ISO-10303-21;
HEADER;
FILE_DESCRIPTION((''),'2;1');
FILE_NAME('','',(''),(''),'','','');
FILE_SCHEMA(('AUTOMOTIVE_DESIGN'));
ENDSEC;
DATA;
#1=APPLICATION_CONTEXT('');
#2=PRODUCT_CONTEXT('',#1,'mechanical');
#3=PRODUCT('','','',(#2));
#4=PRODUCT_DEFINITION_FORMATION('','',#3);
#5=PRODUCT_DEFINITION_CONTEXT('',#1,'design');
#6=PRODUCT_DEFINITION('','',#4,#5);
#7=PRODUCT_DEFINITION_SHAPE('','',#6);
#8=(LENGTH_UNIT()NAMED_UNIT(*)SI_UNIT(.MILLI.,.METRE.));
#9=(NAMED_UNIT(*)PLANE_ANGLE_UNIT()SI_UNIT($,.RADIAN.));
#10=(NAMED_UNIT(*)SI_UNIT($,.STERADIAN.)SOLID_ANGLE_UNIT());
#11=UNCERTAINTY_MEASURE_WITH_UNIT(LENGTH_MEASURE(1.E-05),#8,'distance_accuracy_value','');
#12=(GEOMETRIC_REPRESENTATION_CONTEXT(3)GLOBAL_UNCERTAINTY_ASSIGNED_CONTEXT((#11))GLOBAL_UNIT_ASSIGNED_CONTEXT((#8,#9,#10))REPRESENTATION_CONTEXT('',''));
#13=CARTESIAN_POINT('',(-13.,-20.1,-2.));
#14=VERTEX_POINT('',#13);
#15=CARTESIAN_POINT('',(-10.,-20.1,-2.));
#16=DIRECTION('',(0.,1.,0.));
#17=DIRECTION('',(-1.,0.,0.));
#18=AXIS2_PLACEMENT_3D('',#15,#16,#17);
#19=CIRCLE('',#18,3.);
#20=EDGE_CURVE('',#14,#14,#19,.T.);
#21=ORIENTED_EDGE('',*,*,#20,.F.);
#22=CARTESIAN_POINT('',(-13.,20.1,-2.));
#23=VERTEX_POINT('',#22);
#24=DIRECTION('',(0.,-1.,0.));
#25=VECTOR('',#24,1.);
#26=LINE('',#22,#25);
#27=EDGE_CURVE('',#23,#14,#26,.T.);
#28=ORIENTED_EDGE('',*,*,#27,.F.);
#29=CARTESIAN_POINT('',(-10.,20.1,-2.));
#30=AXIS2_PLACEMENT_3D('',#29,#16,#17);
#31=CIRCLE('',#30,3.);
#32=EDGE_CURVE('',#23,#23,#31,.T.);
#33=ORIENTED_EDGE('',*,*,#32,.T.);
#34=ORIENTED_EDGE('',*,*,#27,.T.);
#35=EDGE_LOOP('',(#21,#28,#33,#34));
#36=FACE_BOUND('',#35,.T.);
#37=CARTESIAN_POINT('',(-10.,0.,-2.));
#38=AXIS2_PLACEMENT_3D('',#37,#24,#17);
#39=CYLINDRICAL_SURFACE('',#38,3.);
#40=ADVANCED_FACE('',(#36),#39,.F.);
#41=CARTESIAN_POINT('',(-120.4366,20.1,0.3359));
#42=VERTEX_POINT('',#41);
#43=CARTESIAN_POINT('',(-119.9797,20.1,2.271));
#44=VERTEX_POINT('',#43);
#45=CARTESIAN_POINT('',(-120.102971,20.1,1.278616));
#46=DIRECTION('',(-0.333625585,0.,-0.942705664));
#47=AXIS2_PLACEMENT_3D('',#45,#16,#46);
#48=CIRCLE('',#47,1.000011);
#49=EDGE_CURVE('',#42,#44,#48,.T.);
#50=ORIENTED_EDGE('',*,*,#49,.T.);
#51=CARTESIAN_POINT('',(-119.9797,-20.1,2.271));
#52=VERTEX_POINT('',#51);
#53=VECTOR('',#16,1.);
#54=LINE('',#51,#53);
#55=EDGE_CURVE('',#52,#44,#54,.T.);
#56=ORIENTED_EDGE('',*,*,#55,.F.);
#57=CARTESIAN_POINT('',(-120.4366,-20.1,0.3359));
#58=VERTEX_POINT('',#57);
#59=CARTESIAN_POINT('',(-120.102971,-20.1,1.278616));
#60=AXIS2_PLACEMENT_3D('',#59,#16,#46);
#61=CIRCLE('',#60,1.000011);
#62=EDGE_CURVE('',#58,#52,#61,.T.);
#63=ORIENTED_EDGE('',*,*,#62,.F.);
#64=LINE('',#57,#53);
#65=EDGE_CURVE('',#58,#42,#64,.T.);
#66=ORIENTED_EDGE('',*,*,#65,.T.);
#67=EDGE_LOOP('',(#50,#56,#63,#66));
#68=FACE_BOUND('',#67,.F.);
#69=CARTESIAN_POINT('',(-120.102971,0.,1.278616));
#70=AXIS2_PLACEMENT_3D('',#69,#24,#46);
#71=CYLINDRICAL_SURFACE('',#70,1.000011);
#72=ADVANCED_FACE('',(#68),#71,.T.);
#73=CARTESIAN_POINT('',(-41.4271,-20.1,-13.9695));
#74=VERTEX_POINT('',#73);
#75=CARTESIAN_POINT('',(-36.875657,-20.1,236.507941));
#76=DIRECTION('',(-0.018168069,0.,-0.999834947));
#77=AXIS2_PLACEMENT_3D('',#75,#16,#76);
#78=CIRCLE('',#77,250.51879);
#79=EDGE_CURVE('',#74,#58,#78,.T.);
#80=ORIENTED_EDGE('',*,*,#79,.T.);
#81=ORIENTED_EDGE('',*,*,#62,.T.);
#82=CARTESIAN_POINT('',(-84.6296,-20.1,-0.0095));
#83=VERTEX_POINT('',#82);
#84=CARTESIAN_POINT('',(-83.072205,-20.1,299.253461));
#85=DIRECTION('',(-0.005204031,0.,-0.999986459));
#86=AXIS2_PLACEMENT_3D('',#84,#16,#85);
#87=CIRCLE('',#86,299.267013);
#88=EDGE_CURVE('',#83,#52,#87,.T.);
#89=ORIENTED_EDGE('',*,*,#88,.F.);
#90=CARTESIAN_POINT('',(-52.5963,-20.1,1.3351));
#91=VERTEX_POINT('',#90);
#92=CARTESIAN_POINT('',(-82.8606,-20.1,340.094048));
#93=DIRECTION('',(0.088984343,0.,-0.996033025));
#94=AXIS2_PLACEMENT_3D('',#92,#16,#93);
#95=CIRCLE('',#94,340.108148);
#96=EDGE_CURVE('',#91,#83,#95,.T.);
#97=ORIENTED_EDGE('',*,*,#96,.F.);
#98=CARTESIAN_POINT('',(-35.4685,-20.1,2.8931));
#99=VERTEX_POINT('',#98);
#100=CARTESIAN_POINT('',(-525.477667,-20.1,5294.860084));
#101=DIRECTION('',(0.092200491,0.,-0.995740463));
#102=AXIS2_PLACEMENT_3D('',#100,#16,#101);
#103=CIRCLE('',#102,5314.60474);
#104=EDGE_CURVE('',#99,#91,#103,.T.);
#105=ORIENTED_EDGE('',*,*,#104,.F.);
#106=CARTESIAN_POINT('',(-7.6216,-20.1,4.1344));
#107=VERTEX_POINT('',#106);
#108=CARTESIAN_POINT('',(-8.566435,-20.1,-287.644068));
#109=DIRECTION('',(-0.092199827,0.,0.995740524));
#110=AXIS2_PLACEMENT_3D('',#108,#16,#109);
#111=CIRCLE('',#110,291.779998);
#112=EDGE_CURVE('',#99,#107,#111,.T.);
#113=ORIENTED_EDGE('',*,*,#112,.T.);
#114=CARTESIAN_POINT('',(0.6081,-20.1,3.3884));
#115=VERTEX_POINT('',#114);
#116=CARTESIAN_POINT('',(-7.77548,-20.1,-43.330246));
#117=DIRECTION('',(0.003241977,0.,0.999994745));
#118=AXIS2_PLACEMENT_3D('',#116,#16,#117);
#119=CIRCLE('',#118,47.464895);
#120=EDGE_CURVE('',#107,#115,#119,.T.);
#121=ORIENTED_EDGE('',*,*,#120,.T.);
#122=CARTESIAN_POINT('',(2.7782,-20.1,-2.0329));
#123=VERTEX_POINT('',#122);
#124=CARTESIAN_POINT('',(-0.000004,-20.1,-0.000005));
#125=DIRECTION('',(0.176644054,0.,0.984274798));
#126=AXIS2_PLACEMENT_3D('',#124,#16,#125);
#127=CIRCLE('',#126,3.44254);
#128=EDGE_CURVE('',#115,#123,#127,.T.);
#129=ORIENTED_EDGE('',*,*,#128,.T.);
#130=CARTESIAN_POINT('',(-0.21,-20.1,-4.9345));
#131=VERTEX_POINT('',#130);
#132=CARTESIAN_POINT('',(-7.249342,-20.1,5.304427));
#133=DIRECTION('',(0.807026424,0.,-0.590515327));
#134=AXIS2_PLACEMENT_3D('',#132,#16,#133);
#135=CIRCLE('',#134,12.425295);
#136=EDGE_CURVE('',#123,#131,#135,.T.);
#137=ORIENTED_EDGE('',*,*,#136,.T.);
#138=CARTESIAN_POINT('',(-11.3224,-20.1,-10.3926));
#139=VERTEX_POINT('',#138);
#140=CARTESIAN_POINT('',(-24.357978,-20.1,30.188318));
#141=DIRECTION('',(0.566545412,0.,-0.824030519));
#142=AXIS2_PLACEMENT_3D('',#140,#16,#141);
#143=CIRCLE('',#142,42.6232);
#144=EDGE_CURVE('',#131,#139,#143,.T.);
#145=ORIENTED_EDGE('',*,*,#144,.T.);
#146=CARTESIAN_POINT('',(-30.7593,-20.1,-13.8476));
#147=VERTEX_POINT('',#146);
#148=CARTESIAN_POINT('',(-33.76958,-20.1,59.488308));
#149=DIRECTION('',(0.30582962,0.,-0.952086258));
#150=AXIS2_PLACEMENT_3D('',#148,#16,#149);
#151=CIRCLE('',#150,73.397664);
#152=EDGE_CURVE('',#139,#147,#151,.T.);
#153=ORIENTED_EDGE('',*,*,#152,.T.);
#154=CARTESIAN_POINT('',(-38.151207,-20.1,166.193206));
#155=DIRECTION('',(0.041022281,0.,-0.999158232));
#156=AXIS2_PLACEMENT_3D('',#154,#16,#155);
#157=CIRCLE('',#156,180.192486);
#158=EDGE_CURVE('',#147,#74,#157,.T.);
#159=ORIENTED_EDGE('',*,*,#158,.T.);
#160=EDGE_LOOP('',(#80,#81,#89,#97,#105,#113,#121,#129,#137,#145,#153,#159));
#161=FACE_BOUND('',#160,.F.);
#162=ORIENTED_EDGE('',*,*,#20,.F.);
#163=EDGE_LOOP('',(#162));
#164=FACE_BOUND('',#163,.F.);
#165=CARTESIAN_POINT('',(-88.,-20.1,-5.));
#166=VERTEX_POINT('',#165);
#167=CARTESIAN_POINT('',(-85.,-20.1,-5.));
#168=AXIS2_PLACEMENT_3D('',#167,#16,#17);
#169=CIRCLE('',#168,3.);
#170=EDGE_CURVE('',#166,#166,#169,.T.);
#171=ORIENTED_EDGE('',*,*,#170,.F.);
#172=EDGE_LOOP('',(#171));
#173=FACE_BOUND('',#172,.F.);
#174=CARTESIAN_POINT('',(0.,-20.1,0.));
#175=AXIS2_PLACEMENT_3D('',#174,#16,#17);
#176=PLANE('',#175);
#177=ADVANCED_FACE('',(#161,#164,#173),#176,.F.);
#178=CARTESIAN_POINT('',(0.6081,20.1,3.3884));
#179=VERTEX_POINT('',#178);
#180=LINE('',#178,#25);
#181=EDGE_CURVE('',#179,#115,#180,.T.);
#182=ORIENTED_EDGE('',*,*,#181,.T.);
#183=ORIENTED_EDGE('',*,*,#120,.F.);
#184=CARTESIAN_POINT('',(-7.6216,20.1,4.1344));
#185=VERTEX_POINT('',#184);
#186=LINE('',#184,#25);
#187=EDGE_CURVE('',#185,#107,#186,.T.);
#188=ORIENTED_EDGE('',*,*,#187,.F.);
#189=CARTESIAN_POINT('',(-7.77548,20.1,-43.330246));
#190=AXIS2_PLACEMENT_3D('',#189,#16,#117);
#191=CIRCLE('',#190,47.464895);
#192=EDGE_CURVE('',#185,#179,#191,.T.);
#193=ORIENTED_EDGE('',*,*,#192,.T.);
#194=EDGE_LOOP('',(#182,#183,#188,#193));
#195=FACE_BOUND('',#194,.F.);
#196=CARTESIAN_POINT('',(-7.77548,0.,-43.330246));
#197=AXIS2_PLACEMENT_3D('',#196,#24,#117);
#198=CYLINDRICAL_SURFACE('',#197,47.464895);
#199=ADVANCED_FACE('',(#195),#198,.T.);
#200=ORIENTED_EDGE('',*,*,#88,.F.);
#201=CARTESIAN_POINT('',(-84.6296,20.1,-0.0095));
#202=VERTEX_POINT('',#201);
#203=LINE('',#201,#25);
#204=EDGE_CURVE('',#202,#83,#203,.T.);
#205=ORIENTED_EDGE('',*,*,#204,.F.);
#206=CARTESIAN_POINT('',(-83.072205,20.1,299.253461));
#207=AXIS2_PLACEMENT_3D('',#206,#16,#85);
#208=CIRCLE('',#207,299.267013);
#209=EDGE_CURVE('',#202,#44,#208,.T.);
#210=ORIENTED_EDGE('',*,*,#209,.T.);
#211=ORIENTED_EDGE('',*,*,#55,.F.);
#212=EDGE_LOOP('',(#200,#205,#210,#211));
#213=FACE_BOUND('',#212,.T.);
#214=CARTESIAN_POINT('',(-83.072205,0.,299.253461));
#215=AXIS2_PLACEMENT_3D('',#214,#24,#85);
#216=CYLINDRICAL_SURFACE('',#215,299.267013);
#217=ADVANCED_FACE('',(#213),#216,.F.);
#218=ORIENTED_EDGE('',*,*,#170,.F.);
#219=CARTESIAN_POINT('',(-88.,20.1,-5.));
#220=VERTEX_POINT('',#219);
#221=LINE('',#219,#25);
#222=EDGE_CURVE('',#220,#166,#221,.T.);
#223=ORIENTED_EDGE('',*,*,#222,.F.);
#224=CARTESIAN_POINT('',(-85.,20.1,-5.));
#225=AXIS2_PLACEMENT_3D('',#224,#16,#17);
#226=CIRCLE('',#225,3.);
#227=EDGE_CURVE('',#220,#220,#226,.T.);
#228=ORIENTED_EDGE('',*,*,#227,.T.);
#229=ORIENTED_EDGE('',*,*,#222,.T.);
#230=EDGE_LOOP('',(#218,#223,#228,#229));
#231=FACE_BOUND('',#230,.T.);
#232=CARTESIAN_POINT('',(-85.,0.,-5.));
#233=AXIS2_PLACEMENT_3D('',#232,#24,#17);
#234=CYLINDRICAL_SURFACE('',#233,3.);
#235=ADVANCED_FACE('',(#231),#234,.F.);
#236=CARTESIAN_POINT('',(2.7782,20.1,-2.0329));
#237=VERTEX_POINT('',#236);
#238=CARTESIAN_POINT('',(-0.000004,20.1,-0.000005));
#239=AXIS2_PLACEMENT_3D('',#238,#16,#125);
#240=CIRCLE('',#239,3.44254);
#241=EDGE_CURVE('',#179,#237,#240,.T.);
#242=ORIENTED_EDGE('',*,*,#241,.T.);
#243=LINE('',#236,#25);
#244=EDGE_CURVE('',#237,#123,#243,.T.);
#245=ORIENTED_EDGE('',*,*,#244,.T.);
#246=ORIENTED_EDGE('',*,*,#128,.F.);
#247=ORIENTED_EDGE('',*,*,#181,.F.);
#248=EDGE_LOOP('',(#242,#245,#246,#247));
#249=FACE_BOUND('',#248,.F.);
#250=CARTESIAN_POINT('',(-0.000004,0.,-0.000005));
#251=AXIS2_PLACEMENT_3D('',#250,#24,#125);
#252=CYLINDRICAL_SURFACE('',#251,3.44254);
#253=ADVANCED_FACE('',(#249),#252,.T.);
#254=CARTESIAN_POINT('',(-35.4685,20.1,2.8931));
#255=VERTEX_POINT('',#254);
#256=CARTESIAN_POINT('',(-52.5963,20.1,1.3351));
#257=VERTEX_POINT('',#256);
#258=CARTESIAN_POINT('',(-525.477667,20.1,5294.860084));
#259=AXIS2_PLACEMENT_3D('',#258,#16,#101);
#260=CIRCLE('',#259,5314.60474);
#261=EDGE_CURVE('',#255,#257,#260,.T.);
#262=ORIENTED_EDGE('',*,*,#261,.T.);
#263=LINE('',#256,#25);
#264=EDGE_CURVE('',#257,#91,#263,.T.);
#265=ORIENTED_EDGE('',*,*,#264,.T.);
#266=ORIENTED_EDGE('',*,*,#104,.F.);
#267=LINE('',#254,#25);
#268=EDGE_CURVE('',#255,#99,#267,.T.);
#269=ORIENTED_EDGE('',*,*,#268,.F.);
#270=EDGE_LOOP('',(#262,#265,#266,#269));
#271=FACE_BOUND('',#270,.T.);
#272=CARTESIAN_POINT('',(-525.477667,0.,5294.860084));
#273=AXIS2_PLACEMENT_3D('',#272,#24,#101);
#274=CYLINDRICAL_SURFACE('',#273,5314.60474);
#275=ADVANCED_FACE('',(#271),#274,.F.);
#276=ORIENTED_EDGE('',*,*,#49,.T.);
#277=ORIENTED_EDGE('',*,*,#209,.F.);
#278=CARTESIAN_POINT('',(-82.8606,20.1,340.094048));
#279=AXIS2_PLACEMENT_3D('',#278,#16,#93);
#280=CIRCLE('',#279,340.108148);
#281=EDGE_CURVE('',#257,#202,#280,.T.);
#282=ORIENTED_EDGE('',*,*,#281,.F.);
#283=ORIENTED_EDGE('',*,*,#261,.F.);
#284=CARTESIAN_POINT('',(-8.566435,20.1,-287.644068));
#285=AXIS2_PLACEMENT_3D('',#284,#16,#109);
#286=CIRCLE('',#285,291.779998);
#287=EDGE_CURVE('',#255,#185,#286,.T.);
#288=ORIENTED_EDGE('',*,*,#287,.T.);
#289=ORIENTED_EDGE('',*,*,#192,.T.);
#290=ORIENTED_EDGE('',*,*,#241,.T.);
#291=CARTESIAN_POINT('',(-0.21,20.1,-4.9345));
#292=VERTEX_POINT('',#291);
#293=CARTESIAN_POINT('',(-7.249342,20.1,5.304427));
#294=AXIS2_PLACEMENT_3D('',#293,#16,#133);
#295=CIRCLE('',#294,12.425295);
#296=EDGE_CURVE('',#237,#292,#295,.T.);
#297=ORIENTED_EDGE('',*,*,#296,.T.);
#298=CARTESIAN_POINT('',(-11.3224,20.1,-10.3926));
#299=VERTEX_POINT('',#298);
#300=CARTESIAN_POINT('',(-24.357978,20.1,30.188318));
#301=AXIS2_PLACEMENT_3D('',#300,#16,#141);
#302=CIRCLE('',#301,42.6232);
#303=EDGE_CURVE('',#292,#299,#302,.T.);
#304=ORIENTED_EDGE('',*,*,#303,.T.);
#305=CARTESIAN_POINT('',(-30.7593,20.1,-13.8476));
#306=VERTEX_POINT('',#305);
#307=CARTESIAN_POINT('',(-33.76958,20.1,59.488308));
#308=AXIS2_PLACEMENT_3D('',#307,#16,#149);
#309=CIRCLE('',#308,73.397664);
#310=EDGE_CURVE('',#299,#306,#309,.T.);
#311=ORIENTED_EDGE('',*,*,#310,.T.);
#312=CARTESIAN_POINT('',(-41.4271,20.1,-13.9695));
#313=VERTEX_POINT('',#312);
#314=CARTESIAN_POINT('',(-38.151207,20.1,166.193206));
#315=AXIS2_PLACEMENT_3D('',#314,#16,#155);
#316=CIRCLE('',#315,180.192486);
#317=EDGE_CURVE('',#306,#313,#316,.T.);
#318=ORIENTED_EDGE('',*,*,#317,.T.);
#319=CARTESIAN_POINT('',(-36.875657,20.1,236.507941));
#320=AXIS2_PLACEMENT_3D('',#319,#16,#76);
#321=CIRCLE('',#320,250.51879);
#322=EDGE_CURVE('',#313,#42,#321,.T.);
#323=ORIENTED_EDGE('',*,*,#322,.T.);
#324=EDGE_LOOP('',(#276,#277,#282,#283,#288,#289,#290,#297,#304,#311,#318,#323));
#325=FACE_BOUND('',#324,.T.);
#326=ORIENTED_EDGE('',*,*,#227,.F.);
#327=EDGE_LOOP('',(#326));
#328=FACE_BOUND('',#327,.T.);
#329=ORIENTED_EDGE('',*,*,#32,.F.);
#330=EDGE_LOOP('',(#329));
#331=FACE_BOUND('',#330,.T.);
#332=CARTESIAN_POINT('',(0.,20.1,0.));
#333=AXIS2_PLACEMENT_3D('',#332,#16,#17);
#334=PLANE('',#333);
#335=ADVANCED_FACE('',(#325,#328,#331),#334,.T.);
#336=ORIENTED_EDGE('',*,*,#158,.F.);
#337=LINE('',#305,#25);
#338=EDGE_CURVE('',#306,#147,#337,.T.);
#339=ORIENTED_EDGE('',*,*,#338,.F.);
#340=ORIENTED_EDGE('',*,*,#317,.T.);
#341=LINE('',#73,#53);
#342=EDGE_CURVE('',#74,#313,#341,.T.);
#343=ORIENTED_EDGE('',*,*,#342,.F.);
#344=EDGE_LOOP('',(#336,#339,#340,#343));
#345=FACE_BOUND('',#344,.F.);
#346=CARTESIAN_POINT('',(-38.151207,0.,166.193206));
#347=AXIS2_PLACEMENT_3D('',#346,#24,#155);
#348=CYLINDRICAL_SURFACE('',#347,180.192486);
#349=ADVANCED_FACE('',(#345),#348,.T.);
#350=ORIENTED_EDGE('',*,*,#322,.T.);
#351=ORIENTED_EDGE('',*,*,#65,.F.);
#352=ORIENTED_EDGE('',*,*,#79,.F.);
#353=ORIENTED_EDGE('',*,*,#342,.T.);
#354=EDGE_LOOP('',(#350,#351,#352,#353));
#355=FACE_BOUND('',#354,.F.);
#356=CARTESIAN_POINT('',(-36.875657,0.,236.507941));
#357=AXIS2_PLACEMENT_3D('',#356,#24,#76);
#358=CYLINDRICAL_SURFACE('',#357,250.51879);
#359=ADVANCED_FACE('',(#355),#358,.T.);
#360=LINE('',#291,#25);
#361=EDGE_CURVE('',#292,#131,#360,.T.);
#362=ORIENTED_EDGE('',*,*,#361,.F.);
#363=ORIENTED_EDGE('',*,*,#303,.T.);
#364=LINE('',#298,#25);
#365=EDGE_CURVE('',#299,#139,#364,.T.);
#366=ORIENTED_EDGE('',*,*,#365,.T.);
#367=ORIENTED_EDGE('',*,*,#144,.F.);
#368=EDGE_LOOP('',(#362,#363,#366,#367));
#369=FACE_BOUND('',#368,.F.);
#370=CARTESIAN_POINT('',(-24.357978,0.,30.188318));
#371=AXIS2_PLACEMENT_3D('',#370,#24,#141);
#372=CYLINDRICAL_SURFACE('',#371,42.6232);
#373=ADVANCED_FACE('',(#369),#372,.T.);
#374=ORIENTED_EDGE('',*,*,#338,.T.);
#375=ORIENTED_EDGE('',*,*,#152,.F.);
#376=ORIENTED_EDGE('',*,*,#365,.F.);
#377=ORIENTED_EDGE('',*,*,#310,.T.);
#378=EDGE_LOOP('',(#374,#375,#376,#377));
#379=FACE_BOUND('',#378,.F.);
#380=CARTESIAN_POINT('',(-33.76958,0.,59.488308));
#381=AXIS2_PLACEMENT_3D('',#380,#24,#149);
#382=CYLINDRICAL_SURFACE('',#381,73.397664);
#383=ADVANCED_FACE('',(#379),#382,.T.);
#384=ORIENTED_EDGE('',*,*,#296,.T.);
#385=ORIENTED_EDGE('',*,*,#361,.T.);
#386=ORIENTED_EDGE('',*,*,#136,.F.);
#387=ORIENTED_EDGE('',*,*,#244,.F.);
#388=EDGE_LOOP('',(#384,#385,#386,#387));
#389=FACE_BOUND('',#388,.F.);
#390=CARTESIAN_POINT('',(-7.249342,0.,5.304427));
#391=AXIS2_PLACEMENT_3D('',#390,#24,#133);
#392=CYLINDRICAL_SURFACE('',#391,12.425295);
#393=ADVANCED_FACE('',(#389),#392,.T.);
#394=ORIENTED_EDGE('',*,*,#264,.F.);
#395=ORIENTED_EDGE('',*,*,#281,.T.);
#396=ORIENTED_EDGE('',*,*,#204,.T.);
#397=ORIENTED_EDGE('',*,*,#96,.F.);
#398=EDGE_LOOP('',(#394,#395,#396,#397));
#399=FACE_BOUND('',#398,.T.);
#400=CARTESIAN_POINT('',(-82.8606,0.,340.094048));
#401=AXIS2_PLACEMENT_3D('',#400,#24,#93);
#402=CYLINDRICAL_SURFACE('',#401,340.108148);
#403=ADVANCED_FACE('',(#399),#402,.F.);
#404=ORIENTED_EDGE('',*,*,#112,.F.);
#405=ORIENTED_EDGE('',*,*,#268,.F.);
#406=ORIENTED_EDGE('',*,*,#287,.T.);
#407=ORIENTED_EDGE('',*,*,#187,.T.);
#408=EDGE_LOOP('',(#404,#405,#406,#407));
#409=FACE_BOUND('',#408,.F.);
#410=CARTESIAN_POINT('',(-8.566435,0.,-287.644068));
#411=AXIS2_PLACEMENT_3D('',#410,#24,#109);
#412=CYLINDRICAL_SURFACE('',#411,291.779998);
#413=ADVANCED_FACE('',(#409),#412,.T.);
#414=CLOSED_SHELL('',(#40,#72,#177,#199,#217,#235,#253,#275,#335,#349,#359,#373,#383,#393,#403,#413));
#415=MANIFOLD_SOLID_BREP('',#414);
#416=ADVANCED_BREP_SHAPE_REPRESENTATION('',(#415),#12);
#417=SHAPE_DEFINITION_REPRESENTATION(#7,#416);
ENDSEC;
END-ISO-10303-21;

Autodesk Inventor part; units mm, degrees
ref_plane "YZ Plane" through (0, 0, 0) normal (1, 0, 0) x (0, 1, 0)
ref_plane "XZ Plane" through (0, 0, 0) normal (0, 1, 0) x (-1, 0, 0)
ref_plane "XY Plane" through (0, 0, 0) normal (0, 0, 1) x (1, 0, 0)
sketch "スケッチ1" plane through (0, 0, 0) normal (0, 1, 0) x (-1, 0, 0)
  arc A0 (41.4271, -13.9695) -> (120.4366, 0.3359) centre (36.8758, 236.5065) ccw projected
  arc A1 (30.7593, -13.8476) -> (41.4271, -13.9695) centre (38.1525, 166.2425) ccw projected
  arc A2 (11.3224, -10.3926) -> (30.7593, -13.8476) centre (33.77, 59.49) ccw projected
  arc A3 (0.21, -4.9345) -> (11.3224, -10.3926) centre (24.3575, 30.1875) ccw projected
  arc A4 (-2.7782, -2.0329) -> (0.21, -4.9345) centre (7.25, 5.305) ccw projected
  arc A5 (-0.6081, 3.3884) -> (-2.7782, -2.0329) centre (0, 0) ccw projected
  arc A6 (7.6216, 4.1344) -> (-0.6081, 3.3884) centre (7.775, -43.32) ccw projected
  arc A7 (35.4685, 2.8931) -> (7.6216, 4.1344) centre (8.565, -287.665) ccw projected
  arc A8 (35.4685, 2.8931) -> (52.5963, 1.3351) centre (526.9475, 5310.875) ccw projected
  arc A9 (52.5963, 1.3351) -> (84.6296, -0.0095) centre (82.86, 340.0849) ccw projected
  arc A10 (84.6296, -0.0095) -> (119.9797, 2.271) centre (83.0725, 299.245) ccw projected
  arc A11 (120.4366, 0.3359) -> (119.9797, 2.271) centre (120.103, 1.2786) ccw projected
  circle A12 centre (10, -2) radius 3 projected
  circle A13 centre (85, -5) radius 3 projected
extrude "押し出し1" add sketch "スケッチ1" along normal mid plane 40.2
properties part number "uretan_sf" material "ポリエチレン、高密度"
